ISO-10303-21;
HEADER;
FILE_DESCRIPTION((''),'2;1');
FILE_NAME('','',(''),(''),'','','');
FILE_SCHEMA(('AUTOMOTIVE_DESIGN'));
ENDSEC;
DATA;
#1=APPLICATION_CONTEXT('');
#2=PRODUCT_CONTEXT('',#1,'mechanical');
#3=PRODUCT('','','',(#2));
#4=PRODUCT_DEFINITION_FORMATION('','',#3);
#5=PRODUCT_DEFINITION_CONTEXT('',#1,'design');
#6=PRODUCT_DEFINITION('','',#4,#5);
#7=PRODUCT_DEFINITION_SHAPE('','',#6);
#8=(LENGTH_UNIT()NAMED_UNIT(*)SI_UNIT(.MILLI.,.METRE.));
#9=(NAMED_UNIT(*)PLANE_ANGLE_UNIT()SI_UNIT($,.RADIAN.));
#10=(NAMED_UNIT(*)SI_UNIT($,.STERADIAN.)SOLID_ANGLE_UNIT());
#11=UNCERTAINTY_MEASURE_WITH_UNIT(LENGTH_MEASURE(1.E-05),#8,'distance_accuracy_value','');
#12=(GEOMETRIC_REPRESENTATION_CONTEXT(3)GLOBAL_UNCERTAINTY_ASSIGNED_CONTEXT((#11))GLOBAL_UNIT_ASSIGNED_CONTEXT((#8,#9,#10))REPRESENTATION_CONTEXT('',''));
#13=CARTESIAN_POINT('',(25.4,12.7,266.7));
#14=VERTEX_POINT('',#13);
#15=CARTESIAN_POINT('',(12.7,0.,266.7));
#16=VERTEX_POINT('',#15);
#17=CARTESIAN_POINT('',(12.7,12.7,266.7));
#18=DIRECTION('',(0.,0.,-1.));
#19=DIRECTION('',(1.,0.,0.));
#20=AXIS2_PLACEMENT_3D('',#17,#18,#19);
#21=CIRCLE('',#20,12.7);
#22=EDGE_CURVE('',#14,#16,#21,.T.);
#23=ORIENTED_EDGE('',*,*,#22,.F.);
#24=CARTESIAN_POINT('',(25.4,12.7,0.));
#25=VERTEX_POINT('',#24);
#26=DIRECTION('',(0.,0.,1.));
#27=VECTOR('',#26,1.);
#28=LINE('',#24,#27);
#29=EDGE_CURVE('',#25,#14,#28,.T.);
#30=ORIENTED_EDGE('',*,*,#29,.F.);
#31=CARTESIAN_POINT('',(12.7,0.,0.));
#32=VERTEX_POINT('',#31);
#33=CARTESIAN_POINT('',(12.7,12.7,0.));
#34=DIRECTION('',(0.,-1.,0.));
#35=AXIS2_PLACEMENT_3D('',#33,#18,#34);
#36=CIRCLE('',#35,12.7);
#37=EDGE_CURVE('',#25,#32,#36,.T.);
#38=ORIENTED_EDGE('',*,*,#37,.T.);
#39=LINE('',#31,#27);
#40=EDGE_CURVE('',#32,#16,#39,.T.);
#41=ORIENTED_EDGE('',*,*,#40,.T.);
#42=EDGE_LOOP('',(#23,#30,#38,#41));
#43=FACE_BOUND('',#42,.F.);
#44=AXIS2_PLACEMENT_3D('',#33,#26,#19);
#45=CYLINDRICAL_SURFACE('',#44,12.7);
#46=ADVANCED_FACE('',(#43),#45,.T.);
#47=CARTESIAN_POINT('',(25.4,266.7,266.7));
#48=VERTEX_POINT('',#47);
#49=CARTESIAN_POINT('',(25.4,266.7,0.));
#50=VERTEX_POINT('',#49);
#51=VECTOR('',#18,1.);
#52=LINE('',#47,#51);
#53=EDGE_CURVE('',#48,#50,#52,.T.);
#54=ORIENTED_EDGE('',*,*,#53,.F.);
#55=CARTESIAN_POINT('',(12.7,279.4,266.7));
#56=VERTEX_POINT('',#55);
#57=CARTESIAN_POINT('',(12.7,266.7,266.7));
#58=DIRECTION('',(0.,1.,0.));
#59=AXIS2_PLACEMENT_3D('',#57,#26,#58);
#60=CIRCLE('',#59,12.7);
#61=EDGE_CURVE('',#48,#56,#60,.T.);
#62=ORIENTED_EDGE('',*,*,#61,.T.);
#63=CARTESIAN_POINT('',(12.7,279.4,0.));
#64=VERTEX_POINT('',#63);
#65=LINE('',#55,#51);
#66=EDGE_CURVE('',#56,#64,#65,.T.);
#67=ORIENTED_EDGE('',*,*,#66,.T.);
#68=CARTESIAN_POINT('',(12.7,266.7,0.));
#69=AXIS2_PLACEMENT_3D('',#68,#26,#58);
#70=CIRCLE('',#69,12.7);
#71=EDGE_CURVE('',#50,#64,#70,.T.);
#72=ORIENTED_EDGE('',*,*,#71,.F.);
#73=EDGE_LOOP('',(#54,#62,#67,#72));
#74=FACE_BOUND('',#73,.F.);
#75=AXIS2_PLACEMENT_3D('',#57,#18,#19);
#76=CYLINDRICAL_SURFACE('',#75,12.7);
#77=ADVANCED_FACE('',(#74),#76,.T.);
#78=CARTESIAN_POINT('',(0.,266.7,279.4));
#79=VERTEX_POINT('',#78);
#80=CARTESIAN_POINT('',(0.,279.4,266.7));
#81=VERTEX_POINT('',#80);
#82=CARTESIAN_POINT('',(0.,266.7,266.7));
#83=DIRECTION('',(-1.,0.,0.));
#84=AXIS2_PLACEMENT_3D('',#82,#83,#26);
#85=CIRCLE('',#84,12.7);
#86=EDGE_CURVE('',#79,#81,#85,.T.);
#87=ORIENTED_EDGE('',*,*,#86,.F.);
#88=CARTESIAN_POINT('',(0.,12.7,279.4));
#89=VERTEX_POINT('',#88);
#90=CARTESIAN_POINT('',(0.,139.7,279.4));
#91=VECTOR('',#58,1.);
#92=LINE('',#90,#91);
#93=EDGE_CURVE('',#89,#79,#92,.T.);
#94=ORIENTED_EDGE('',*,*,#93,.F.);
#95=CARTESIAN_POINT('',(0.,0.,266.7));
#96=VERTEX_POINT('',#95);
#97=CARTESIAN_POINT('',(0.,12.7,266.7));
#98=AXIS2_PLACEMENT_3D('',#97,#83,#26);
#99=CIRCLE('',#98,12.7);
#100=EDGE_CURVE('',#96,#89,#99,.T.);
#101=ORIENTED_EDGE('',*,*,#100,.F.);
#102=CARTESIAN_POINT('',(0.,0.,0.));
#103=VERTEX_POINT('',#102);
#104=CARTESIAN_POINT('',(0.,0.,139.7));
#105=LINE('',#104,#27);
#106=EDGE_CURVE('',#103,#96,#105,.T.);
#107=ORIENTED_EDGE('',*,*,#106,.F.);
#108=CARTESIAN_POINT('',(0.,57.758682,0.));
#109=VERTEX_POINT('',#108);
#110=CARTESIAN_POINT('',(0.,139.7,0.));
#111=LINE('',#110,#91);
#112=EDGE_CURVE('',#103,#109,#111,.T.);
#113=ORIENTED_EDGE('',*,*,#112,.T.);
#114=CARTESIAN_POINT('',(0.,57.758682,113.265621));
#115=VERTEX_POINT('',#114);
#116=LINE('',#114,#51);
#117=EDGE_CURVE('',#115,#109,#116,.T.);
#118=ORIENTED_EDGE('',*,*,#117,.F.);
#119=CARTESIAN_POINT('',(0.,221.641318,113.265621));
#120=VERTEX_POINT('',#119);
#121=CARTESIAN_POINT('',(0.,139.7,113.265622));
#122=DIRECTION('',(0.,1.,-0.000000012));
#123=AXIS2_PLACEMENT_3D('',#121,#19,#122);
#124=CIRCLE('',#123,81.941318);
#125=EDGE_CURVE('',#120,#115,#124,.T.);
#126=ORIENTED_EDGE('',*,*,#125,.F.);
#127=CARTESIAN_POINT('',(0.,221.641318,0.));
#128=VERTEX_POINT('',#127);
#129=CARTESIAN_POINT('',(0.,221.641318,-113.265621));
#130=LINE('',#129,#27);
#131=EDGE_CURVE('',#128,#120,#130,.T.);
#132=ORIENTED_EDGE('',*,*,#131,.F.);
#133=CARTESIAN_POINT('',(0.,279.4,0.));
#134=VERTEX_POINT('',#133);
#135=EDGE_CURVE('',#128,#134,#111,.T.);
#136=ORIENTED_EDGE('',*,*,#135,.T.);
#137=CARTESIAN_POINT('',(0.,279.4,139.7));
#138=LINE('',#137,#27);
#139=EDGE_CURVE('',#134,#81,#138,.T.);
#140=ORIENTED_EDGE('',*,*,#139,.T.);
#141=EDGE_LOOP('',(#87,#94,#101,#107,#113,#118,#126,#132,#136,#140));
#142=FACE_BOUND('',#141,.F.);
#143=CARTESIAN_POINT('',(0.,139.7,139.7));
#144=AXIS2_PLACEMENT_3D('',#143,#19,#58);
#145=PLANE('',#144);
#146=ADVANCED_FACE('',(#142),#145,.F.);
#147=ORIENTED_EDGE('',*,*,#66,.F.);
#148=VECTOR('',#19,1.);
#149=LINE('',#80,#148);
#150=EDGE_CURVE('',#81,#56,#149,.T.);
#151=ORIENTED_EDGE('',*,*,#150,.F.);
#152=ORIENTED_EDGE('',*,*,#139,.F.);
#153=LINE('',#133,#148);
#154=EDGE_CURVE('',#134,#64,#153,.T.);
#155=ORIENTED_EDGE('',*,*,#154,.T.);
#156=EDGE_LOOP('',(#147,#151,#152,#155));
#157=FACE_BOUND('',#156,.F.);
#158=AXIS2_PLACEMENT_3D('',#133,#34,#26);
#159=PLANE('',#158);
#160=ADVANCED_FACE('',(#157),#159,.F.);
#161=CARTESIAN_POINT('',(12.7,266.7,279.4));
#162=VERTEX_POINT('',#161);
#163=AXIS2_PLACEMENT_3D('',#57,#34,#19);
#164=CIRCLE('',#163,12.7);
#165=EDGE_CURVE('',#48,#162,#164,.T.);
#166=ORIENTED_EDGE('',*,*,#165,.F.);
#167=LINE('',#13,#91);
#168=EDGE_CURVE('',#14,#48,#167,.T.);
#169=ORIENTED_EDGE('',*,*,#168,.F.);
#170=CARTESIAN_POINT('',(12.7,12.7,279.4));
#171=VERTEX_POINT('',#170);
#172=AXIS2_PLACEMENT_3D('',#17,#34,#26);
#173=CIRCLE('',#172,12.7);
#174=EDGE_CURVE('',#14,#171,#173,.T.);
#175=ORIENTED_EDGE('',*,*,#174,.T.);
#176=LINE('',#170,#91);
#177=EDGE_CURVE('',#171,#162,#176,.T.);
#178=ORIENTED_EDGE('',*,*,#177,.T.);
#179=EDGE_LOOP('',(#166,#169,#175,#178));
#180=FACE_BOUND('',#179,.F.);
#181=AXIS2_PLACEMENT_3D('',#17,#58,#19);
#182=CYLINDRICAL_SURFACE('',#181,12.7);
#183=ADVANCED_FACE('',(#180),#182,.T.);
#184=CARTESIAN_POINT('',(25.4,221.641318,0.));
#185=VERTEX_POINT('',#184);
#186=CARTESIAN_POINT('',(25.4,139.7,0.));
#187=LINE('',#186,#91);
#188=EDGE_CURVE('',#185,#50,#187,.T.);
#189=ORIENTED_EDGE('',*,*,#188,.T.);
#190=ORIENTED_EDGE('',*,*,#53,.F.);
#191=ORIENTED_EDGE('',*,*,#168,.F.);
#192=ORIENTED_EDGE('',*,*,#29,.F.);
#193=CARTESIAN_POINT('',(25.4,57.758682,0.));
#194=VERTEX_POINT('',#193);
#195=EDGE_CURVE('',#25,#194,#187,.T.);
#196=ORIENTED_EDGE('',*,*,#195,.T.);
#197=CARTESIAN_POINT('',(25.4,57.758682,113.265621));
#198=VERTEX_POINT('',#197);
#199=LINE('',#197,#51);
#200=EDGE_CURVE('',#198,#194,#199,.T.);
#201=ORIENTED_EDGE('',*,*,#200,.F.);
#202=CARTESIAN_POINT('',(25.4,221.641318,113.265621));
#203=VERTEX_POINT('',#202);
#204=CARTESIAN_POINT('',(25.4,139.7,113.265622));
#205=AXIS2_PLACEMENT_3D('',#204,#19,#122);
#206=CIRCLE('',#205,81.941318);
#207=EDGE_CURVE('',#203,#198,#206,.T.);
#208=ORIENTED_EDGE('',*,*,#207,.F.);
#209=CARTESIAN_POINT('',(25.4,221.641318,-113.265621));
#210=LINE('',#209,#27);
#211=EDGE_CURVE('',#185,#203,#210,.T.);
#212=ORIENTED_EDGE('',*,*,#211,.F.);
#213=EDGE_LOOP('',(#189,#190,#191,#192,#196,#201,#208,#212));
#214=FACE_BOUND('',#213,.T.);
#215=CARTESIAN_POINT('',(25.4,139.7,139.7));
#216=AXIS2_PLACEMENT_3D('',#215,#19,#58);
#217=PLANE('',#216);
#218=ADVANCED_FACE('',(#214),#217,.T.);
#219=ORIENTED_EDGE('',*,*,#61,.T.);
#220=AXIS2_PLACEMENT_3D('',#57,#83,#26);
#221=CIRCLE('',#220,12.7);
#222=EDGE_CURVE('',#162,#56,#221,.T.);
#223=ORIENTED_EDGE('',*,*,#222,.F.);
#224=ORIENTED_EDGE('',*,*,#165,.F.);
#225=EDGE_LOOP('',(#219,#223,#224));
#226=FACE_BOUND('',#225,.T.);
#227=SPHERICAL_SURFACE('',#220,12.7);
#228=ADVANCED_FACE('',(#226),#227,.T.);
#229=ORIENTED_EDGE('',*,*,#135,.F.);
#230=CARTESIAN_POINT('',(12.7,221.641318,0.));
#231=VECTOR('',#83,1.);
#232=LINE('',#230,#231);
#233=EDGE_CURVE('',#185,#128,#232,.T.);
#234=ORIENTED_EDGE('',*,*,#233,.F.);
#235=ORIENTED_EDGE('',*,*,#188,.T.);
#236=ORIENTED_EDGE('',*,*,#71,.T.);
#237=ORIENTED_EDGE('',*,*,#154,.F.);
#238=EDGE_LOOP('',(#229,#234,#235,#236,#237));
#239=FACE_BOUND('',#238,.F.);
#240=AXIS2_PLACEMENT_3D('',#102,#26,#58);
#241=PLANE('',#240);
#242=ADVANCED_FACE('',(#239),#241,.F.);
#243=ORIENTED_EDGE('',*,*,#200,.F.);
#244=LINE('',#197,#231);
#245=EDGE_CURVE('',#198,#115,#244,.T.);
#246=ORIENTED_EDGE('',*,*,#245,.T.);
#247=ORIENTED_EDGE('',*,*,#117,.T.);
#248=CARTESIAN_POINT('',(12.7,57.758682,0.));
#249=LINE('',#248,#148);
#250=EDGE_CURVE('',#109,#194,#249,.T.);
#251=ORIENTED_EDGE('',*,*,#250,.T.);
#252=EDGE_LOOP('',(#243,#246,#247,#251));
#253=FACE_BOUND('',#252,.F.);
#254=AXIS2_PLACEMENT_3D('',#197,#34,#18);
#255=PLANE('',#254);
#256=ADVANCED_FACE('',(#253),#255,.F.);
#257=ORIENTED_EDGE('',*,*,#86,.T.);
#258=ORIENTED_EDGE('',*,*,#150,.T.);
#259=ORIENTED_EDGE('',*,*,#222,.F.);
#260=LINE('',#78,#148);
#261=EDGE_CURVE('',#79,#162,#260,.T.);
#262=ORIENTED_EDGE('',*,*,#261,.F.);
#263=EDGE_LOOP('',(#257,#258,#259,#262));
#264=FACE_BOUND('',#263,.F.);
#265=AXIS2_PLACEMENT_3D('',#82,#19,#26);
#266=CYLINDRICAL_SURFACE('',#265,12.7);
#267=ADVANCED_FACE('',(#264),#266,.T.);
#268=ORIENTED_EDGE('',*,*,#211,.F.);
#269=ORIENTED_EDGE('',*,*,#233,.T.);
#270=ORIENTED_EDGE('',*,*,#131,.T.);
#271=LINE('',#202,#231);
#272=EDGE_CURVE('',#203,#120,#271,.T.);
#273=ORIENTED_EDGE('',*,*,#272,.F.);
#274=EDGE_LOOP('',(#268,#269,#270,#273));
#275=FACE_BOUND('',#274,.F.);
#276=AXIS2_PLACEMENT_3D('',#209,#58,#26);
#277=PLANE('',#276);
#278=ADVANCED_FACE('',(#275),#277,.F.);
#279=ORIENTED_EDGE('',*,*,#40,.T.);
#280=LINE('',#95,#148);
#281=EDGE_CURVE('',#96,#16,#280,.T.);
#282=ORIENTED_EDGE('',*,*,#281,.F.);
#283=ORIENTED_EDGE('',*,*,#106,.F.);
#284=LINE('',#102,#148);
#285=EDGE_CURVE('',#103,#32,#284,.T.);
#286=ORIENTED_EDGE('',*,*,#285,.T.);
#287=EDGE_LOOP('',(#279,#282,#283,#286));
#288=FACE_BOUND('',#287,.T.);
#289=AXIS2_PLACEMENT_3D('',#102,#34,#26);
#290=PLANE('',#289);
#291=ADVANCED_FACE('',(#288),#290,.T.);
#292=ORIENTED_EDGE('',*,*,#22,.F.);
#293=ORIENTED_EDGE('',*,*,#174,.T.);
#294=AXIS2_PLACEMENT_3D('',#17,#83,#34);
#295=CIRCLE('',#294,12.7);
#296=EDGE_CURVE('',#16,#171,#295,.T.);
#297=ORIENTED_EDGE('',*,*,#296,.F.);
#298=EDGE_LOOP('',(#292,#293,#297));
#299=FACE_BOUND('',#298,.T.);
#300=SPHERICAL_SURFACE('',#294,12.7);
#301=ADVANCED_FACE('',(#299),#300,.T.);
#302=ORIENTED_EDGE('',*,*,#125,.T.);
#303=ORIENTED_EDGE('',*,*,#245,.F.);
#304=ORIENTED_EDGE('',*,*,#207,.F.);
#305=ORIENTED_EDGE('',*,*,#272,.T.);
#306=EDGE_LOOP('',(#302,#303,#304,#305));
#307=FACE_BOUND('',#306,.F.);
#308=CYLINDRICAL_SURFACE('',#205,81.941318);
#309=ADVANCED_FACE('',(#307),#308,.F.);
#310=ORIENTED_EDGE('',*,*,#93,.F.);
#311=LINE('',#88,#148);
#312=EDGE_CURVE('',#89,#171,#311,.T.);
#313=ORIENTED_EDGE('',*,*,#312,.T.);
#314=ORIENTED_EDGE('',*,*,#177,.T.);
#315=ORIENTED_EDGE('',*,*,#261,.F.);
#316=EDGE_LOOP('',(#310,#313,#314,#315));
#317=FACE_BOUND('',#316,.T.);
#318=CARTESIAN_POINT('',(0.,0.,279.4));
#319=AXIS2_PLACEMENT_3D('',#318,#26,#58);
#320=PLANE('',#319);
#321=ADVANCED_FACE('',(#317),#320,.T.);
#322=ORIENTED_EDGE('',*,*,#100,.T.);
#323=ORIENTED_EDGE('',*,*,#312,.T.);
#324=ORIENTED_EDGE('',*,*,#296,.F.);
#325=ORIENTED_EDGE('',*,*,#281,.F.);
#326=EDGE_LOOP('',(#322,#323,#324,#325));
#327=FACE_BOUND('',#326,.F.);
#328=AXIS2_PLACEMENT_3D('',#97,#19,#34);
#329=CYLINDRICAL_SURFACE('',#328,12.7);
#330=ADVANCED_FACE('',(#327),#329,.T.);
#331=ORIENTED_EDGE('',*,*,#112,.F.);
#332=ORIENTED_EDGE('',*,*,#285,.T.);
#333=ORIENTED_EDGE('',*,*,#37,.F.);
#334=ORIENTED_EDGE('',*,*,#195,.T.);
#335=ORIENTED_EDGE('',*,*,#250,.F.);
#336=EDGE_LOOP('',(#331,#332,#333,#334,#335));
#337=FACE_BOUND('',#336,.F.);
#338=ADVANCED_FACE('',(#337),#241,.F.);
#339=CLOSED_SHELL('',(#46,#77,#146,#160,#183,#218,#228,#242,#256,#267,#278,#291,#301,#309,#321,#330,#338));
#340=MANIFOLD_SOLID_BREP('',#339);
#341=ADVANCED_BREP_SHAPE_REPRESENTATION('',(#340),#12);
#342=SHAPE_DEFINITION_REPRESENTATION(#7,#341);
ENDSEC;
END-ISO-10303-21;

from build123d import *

# Parameters (mm, degrees)
F0_W     = 279.4
F0_H     = 279.4
F1_DEPTH = 25.4
F3_DEPTH = 25.4
F4_R     = 12.7
F5_R     = 12.7


with BuildPart() as f1:
    # F0 (on Right) → F1 (new body)
    with BuildSketch(Plane.YZ):
        with Locations((139.7, 139.7)):
            Rectangle(F0_W, F0_H)
    extrude(amount=F1_DEPTH)

    # F2 (on face) → F3 (cut)
    with BuildSketch(Plane.YZ.offset(25.4)):
        with BuildLine():
            Line((221.641318, -113.265621), (221.641318, 113.265621))
            ThreePointArc((221.641318, 113.265621), (139.7, 195.20694), (57.758682, 113.265621))
            Line((57.758682, 113.265621), (57.758682, -113.265621))
            Line((57.758682, -113.265621), (221.641318, -113.265621))
        make_face()
    extrude(amount=-F3_DEPTH, mode=Mode.SUBTRACT)

    # F4
    f4_edges = [f1.edges().sort_by_distance(p)[0] for p in [
        (12.7, 0, 279.4),
        (12.7, 279.4, 279.4),
    ]]
    fillet(f4_edges, radius=F4_R)

    # F5
    f5_edges = [f1.edges().sort_by_distance(p)[0] for p in [
        (25.4, 139.7, 279.4),
    ]]
    fillet(f5_edges, radius=F5_R)


solid = f1.part
